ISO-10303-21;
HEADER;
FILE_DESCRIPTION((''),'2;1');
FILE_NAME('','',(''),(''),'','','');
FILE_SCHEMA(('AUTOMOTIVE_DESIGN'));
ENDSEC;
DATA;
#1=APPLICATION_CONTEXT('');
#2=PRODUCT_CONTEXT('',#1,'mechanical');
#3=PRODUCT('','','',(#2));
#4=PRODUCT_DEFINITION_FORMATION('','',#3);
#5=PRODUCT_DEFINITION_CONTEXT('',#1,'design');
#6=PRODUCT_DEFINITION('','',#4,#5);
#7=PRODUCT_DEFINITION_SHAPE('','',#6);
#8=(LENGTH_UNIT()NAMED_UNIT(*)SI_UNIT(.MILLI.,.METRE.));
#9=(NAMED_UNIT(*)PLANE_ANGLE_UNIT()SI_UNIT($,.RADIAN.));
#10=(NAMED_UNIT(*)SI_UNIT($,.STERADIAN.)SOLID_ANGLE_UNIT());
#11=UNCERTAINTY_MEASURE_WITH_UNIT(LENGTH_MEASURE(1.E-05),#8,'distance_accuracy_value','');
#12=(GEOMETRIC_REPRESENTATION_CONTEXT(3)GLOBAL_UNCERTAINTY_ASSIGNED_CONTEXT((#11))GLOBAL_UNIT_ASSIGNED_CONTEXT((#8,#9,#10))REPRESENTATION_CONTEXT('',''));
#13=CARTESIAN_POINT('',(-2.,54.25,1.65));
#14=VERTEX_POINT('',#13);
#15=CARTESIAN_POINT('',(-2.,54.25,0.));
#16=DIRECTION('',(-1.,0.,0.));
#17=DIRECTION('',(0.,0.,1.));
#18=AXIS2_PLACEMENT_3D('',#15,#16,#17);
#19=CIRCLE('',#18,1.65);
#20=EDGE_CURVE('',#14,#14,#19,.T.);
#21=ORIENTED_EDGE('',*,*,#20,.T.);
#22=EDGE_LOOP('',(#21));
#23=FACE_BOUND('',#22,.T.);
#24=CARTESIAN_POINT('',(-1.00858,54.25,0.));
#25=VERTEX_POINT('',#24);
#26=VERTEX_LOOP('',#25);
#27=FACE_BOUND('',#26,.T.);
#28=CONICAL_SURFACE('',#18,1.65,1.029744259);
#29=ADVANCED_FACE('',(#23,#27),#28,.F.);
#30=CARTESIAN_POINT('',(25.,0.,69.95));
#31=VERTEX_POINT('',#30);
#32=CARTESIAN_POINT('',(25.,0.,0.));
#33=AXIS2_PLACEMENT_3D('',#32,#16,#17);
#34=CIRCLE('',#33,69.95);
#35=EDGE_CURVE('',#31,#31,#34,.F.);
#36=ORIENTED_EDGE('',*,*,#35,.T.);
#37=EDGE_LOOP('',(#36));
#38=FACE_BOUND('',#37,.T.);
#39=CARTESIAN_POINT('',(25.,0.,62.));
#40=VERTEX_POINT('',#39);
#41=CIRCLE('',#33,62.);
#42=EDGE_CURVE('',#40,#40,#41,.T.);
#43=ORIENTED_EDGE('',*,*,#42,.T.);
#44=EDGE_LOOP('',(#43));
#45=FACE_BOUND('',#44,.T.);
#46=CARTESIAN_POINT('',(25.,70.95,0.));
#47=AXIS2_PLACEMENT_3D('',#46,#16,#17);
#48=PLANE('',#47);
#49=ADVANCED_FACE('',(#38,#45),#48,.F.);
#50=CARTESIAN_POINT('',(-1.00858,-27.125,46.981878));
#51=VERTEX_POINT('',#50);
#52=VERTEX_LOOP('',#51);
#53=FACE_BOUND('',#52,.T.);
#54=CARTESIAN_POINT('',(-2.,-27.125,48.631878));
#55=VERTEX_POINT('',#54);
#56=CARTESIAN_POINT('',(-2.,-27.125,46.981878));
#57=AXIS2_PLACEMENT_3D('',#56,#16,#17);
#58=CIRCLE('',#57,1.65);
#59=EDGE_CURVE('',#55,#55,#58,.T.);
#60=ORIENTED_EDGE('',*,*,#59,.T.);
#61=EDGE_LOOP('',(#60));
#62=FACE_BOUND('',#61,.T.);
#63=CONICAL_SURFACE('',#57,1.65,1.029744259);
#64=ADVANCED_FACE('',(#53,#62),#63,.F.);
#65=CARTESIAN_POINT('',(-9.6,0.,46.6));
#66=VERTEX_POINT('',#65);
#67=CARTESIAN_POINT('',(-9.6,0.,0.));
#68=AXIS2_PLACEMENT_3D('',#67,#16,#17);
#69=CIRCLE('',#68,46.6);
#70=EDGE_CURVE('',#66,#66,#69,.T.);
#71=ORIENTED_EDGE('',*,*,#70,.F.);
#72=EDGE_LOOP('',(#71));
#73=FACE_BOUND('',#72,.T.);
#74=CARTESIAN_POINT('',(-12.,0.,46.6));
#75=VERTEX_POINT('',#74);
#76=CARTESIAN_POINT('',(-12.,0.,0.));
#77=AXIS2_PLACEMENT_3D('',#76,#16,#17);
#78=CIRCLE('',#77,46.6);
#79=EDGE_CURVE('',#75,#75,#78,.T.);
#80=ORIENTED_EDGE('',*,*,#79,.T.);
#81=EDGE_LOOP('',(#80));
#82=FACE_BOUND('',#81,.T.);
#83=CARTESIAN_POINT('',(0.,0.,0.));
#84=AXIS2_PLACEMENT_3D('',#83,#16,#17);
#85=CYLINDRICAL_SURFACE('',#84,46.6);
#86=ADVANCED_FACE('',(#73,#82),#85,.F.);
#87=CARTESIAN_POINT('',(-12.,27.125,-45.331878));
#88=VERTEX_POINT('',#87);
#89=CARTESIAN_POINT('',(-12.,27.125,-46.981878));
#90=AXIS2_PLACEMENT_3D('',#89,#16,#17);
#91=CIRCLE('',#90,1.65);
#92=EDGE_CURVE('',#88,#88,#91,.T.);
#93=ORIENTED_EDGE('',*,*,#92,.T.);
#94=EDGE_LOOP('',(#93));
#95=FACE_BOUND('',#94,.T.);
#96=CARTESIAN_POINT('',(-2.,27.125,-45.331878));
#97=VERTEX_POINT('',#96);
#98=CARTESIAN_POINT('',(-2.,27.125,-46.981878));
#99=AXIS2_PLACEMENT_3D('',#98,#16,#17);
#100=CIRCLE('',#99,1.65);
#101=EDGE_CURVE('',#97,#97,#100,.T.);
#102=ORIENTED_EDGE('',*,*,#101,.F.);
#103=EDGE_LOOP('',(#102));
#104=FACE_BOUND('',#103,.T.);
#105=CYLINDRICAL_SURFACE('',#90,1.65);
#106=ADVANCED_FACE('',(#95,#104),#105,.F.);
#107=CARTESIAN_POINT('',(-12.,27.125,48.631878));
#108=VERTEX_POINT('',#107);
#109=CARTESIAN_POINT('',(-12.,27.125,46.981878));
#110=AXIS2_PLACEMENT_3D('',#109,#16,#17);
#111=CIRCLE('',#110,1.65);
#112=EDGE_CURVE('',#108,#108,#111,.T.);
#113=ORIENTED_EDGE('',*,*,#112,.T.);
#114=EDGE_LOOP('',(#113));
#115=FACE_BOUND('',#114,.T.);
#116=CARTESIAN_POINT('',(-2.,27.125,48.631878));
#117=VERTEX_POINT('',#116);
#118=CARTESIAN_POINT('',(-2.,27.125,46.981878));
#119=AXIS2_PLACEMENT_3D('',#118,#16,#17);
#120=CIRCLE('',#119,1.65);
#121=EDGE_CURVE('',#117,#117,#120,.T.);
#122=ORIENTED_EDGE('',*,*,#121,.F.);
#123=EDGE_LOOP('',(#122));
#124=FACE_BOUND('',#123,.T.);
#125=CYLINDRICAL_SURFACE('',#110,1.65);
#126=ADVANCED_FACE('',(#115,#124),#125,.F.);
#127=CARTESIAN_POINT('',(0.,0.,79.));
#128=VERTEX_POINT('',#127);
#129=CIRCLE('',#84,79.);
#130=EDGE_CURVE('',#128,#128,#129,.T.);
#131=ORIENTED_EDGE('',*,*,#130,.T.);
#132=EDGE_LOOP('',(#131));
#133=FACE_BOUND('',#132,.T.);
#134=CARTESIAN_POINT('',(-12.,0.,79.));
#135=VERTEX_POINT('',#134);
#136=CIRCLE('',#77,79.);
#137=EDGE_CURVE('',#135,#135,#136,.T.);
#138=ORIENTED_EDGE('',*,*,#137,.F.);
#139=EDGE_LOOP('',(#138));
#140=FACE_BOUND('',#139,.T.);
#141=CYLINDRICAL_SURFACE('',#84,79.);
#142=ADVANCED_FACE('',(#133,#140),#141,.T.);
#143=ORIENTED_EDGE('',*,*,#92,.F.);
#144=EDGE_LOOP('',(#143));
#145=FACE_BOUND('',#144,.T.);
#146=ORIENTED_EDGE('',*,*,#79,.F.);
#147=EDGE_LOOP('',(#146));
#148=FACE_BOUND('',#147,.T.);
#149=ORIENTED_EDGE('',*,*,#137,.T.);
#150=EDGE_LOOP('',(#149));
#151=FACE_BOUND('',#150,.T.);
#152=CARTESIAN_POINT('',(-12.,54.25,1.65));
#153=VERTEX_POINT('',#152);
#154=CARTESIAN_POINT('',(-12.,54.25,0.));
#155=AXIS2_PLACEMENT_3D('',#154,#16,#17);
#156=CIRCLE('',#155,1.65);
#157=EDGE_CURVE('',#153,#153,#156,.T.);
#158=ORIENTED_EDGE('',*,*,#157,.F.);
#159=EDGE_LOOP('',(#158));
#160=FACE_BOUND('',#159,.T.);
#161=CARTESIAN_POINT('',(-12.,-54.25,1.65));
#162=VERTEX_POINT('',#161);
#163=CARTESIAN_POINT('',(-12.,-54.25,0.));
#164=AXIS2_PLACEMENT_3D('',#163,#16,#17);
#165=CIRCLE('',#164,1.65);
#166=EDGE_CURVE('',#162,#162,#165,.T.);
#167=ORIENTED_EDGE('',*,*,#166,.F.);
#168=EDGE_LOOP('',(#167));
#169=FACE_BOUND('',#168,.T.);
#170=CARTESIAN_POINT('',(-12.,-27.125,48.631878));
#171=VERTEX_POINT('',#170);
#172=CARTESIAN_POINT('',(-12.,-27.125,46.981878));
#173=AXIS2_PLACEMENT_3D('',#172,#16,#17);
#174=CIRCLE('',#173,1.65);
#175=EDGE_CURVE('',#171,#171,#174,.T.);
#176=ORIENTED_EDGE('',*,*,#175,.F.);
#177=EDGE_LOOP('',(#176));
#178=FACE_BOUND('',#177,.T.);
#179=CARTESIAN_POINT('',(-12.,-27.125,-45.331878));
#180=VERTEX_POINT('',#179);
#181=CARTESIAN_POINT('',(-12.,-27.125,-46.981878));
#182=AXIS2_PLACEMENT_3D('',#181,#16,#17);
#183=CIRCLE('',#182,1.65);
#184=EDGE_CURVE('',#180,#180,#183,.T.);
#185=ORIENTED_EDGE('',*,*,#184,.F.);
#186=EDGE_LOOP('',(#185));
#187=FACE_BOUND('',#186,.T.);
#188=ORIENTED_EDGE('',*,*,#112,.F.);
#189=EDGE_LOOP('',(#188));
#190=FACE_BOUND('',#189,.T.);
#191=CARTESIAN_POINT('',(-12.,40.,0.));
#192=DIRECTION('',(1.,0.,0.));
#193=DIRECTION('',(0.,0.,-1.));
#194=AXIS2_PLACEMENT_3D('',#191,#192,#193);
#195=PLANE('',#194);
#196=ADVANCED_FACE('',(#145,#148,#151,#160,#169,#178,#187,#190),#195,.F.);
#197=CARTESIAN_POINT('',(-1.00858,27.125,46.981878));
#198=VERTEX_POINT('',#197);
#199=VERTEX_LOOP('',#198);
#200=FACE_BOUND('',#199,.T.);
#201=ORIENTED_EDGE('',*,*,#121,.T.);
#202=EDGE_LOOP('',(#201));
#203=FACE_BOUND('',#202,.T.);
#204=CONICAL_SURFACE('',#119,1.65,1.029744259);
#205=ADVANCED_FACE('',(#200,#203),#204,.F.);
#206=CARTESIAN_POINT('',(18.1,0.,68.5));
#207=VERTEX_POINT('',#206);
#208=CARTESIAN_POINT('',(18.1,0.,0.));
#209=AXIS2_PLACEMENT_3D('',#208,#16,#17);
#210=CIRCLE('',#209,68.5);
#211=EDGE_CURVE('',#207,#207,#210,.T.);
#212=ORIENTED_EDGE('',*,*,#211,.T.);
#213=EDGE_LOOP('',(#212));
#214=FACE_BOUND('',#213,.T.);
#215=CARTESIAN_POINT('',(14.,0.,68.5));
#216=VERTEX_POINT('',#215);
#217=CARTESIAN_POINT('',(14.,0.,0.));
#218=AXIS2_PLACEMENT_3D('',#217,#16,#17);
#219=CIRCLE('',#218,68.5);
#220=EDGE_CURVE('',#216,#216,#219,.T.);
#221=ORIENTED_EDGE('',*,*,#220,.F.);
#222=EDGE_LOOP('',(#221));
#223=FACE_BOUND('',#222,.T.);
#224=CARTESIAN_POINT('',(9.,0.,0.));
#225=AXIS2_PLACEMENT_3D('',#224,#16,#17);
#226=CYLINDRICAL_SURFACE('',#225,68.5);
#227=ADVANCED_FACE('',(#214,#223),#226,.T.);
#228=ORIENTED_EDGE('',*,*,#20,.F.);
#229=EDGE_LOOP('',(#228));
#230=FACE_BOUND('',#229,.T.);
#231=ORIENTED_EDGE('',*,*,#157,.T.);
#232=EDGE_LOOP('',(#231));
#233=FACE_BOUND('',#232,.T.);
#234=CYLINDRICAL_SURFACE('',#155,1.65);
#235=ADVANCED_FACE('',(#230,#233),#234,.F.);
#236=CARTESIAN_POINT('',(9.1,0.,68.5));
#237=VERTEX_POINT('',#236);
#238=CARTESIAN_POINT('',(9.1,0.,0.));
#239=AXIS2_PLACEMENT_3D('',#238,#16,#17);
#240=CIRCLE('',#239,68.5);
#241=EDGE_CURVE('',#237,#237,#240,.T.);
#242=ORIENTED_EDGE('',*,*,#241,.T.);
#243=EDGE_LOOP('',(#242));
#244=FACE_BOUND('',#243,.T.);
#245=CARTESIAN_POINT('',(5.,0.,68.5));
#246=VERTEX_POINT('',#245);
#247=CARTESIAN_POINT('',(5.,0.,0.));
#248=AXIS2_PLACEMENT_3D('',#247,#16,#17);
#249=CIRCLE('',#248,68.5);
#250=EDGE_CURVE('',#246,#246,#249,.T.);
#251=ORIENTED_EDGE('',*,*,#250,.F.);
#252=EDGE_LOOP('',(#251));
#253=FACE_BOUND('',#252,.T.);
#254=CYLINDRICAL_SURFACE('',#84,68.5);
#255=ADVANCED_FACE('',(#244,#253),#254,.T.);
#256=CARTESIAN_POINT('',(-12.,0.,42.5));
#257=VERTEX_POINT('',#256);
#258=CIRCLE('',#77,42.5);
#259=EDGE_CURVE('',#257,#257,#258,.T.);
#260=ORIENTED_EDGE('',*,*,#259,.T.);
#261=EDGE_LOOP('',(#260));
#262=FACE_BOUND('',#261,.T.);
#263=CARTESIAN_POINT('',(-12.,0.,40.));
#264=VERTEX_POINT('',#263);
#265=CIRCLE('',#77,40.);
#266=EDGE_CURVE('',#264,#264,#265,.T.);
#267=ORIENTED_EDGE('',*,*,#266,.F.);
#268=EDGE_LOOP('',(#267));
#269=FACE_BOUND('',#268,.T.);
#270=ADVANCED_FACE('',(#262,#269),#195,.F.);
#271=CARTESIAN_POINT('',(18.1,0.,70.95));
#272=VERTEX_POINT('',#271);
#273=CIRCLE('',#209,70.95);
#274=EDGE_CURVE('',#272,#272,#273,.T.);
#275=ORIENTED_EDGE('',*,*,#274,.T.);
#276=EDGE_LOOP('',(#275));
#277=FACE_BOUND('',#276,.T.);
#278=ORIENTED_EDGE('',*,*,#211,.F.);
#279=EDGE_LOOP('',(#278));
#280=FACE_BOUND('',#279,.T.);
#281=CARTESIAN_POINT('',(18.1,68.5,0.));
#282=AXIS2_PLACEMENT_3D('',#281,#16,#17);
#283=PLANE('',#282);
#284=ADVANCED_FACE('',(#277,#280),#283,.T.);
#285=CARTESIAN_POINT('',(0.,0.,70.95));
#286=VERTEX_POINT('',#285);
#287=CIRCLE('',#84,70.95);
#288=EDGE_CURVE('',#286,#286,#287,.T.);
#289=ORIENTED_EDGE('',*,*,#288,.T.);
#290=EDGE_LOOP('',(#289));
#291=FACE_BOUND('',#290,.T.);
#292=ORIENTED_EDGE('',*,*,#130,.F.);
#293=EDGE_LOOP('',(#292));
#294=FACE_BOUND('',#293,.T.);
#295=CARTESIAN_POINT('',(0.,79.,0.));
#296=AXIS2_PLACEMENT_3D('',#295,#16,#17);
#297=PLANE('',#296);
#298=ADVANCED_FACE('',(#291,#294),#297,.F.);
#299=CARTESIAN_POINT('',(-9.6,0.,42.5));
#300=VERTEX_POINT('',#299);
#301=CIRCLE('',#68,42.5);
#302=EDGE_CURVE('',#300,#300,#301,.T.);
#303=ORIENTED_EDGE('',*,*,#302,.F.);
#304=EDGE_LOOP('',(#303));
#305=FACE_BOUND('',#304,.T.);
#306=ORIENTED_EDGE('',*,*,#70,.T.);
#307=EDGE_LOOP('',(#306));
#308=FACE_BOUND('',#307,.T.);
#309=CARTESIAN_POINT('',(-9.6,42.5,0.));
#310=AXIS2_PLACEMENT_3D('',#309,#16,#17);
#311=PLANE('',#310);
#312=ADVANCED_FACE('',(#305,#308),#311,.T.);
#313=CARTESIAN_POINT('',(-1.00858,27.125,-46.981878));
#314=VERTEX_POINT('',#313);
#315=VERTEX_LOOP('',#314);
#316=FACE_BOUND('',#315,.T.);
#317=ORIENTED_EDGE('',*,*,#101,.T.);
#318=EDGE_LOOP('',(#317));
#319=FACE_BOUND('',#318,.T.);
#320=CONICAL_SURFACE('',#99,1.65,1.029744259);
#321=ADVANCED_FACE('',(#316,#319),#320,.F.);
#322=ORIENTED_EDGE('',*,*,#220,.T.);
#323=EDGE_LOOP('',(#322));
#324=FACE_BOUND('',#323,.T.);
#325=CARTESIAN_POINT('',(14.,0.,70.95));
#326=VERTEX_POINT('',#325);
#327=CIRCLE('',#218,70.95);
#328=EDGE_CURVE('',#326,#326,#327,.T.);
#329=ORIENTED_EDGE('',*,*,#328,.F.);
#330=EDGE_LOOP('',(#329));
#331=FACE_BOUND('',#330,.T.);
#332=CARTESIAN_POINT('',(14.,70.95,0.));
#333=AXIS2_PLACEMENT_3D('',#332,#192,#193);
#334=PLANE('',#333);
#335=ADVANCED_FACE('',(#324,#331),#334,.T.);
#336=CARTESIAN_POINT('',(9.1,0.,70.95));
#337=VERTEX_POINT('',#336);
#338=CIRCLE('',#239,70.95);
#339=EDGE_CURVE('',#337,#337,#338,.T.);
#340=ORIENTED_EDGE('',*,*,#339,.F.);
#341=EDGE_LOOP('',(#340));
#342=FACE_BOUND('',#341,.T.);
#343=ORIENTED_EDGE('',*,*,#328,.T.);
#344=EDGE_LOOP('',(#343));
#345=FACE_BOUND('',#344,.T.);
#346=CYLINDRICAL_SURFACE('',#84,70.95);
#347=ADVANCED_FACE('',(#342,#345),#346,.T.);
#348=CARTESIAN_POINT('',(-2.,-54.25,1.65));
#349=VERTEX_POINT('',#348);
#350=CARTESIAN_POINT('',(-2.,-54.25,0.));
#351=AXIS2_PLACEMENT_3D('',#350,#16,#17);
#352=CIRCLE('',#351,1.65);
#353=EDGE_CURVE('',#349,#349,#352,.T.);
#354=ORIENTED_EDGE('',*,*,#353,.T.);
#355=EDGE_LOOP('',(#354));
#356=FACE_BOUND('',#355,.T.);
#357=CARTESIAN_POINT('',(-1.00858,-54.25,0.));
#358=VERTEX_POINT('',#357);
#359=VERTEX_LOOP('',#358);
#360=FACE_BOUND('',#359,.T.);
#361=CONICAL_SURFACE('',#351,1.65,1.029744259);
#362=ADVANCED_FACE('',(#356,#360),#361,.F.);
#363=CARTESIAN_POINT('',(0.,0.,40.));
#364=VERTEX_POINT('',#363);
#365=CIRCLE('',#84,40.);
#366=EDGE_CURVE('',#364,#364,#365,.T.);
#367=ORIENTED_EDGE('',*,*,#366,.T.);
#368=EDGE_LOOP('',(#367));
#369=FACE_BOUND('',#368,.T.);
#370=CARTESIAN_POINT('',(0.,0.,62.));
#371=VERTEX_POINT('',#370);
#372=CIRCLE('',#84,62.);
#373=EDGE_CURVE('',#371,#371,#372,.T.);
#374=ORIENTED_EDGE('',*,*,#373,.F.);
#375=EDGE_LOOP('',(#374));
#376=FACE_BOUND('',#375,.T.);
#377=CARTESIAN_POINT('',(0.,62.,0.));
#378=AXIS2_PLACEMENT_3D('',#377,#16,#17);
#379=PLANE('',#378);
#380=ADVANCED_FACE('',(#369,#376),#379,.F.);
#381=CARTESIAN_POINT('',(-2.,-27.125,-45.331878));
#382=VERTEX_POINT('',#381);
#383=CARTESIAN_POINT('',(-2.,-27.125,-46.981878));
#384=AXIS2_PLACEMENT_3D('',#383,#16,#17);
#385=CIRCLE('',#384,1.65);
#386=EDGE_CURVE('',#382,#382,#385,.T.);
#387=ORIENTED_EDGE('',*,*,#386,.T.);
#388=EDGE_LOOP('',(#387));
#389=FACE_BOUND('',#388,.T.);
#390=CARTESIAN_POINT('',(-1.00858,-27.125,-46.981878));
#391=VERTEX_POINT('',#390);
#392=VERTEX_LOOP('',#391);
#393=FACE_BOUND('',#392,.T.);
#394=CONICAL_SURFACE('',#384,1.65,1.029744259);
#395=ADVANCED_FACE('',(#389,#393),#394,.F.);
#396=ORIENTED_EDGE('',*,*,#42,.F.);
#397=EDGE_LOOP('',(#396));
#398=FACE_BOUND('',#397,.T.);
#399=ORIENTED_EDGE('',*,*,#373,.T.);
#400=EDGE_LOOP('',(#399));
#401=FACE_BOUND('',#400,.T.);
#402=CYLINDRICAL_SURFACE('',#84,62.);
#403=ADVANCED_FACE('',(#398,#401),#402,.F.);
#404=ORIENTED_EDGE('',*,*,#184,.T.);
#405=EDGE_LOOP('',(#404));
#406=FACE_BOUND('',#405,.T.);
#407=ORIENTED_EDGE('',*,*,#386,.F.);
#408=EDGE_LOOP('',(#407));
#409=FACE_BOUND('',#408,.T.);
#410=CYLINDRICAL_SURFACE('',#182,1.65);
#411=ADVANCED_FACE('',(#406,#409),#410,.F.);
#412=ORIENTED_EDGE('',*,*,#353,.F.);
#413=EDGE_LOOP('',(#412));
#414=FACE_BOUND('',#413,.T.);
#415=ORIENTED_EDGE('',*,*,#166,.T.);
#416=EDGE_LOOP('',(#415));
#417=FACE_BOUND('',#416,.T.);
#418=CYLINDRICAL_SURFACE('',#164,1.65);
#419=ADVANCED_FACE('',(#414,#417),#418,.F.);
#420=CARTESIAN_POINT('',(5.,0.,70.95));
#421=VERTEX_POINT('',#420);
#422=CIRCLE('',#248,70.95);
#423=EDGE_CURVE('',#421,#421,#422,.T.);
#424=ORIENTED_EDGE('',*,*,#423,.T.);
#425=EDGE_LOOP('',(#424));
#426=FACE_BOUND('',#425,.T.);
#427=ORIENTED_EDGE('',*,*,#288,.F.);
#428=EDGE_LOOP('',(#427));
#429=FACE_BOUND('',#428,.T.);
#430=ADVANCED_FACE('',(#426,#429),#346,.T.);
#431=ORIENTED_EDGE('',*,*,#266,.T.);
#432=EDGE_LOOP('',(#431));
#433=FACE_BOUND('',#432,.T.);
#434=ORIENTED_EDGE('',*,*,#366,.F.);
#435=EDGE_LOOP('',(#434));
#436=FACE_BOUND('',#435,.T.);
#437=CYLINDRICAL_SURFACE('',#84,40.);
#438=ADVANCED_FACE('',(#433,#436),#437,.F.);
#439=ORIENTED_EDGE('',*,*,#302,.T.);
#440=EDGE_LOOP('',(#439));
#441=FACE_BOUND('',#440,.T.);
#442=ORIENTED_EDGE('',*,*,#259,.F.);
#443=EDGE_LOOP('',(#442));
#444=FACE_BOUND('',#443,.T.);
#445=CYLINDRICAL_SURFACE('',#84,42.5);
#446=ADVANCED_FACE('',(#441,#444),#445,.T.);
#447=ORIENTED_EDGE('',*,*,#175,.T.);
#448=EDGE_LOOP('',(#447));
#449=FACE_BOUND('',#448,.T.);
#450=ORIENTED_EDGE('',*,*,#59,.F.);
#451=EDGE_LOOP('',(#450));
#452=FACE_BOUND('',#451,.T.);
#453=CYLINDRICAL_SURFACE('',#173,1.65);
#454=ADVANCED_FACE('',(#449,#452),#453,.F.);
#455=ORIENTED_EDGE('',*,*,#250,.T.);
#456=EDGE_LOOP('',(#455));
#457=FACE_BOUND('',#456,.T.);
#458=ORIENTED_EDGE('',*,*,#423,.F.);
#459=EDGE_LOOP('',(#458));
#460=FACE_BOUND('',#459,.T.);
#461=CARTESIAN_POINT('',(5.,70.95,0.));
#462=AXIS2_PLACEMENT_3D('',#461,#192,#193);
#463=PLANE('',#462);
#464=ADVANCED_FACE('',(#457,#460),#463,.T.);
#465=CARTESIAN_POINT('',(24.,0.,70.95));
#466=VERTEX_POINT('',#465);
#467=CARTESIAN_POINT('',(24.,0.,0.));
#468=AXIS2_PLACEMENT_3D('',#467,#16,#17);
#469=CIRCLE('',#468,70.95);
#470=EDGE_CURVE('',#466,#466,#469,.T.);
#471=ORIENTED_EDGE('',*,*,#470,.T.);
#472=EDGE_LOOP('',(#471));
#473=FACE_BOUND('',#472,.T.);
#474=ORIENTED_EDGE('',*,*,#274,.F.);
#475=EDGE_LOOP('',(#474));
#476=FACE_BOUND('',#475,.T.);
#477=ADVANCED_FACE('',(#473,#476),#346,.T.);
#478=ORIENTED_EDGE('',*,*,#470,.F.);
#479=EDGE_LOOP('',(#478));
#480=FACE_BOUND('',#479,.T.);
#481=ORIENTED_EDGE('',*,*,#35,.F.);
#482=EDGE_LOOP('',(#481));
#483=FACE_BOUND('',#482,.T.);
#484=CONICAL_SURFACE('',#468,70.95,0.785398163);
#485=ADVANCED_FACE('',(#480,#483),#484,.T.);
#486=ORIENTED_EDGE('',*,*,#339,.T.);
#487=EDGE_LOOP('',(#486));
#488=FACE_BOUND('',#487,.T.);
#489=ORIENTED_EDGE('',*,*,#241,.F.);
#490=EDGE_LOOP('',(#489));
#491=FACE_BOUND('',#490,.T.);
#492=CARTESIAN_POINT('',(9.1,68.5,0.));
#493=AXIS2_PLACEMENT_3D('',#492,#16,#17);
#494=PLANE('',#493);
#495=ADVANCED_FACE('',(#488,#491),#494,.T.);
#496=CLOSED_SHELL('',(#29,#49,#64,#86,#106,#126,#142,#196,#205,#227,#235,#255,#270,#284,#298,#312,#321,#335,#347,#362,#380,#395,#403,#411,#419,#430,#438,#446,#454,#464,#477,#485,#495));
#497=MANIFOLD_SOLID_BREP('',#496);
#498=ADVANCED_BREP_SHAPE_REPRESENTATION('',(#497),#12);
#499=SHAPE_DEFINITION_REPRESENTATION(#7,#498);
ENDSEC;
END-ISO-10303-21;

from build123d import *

# Parameters (mm, degrees)
CHAMFER_988_SIZE          = 1
SKETCH_2_W                = 4.1
SKETCH_2_H                = 2.45
PATTERN_LINEAR_O_2_COUNT  = 2
PATTERN_LINEAR_O_2_PITCH  = 9
SKETCH_3_W                = 2.4
SKETCH_3_H                = 4.1
PATTERN_CIRCULAR_M4_COUNT = 6


with BuildPart() as part:
    # ｽｹｯﾁ1 → Revolve 949 (revolve)
    with BuildSketch(Plane.XY):
        Polygon((-12, 40), (-12, 79), (0, 79), (0, 70.95), (25, 70.95), (25, 62), (0, 62), (0, 40), align=None)
    revolve(axis=Axis((0, 0, 0), (1, 0, 0)))

    # Chamfer 988
    chamfer_988_edges = [part.edges().sort_by_distance(p)[0] for p in [
        (25, -70.95, 0),
    ]]
    chamfer(chamfer_988_edges, length=CHAMFER_988_SIZE)

    # ｽｹｯﾁ2 → Oリング溝入れ G-135 (revolve, cut)
    with BuildSketch(Plane.XY):
        with Locations((7.05, 69.725)):
            Rectangle(SKETCH_2_W, SKETCH_2_H)
    o_g_135 = revolve(axis=Axis((0, 0, 0), (1, 0, 0)), mode=Mode.SUBTRACT)

    # Oリング溝 2 本目: Oリング溝入れ G-135 ×2
    with Locations(*[(i * PATTERN_LINEAR_O_2_PITCH, 0, 0) for i in range(1, PATTERN_LINEAR_O_2_COUNT)]):
        add(o_g_135, mode=Mode.SUBTRACT)

    # ｽｹｯﾁ3 → 窓 Oリング溝入れ G-85 (revolve, cut)
    with BuildSketch(Plane.XY):
        with Locations((-10.8, 44.55)):
            Rectangle(SKETCH_3_W, SKETCH_3_H)
    revolve(axis=Axis((0, 0, 0), (1, 0, 0)), mode=Mode.SUBTRACT)

    # ｽｹｯﾁ4 → M4 めねじ (revolve, cut)
    with BuildSketch(Plane(origin=(-12, 54.25, 0), x_dir=(0, 0, 1), z_dir=(0, 1, 0))):
        Polygon((0, 0), (0, 10.991420021), (1.65, 10), (1.65, 0), align=None)
    hole_wizard_m4 = revolve(axis=Axis((-18.35, 54.25, 0), (1, 0, 0)), mode=Mode.SUBTRACT)

    # M4 めねじ 等配: M4 めねじ ×6 about axis
    pattern_circular_m4_axis = Axis((-14.35, 0, 0), (1, 0, 0))
    for i in range(1, PATTERN_CIRCULAR_M4_COUNT):
        add(hole_wizard_m4.rotate(pattern_circular_m4_axis, i * 360 / PATTERN_CIRCULAR_M4_COUNT), mode=Mode.SUBTRACT)


solid = part.part
